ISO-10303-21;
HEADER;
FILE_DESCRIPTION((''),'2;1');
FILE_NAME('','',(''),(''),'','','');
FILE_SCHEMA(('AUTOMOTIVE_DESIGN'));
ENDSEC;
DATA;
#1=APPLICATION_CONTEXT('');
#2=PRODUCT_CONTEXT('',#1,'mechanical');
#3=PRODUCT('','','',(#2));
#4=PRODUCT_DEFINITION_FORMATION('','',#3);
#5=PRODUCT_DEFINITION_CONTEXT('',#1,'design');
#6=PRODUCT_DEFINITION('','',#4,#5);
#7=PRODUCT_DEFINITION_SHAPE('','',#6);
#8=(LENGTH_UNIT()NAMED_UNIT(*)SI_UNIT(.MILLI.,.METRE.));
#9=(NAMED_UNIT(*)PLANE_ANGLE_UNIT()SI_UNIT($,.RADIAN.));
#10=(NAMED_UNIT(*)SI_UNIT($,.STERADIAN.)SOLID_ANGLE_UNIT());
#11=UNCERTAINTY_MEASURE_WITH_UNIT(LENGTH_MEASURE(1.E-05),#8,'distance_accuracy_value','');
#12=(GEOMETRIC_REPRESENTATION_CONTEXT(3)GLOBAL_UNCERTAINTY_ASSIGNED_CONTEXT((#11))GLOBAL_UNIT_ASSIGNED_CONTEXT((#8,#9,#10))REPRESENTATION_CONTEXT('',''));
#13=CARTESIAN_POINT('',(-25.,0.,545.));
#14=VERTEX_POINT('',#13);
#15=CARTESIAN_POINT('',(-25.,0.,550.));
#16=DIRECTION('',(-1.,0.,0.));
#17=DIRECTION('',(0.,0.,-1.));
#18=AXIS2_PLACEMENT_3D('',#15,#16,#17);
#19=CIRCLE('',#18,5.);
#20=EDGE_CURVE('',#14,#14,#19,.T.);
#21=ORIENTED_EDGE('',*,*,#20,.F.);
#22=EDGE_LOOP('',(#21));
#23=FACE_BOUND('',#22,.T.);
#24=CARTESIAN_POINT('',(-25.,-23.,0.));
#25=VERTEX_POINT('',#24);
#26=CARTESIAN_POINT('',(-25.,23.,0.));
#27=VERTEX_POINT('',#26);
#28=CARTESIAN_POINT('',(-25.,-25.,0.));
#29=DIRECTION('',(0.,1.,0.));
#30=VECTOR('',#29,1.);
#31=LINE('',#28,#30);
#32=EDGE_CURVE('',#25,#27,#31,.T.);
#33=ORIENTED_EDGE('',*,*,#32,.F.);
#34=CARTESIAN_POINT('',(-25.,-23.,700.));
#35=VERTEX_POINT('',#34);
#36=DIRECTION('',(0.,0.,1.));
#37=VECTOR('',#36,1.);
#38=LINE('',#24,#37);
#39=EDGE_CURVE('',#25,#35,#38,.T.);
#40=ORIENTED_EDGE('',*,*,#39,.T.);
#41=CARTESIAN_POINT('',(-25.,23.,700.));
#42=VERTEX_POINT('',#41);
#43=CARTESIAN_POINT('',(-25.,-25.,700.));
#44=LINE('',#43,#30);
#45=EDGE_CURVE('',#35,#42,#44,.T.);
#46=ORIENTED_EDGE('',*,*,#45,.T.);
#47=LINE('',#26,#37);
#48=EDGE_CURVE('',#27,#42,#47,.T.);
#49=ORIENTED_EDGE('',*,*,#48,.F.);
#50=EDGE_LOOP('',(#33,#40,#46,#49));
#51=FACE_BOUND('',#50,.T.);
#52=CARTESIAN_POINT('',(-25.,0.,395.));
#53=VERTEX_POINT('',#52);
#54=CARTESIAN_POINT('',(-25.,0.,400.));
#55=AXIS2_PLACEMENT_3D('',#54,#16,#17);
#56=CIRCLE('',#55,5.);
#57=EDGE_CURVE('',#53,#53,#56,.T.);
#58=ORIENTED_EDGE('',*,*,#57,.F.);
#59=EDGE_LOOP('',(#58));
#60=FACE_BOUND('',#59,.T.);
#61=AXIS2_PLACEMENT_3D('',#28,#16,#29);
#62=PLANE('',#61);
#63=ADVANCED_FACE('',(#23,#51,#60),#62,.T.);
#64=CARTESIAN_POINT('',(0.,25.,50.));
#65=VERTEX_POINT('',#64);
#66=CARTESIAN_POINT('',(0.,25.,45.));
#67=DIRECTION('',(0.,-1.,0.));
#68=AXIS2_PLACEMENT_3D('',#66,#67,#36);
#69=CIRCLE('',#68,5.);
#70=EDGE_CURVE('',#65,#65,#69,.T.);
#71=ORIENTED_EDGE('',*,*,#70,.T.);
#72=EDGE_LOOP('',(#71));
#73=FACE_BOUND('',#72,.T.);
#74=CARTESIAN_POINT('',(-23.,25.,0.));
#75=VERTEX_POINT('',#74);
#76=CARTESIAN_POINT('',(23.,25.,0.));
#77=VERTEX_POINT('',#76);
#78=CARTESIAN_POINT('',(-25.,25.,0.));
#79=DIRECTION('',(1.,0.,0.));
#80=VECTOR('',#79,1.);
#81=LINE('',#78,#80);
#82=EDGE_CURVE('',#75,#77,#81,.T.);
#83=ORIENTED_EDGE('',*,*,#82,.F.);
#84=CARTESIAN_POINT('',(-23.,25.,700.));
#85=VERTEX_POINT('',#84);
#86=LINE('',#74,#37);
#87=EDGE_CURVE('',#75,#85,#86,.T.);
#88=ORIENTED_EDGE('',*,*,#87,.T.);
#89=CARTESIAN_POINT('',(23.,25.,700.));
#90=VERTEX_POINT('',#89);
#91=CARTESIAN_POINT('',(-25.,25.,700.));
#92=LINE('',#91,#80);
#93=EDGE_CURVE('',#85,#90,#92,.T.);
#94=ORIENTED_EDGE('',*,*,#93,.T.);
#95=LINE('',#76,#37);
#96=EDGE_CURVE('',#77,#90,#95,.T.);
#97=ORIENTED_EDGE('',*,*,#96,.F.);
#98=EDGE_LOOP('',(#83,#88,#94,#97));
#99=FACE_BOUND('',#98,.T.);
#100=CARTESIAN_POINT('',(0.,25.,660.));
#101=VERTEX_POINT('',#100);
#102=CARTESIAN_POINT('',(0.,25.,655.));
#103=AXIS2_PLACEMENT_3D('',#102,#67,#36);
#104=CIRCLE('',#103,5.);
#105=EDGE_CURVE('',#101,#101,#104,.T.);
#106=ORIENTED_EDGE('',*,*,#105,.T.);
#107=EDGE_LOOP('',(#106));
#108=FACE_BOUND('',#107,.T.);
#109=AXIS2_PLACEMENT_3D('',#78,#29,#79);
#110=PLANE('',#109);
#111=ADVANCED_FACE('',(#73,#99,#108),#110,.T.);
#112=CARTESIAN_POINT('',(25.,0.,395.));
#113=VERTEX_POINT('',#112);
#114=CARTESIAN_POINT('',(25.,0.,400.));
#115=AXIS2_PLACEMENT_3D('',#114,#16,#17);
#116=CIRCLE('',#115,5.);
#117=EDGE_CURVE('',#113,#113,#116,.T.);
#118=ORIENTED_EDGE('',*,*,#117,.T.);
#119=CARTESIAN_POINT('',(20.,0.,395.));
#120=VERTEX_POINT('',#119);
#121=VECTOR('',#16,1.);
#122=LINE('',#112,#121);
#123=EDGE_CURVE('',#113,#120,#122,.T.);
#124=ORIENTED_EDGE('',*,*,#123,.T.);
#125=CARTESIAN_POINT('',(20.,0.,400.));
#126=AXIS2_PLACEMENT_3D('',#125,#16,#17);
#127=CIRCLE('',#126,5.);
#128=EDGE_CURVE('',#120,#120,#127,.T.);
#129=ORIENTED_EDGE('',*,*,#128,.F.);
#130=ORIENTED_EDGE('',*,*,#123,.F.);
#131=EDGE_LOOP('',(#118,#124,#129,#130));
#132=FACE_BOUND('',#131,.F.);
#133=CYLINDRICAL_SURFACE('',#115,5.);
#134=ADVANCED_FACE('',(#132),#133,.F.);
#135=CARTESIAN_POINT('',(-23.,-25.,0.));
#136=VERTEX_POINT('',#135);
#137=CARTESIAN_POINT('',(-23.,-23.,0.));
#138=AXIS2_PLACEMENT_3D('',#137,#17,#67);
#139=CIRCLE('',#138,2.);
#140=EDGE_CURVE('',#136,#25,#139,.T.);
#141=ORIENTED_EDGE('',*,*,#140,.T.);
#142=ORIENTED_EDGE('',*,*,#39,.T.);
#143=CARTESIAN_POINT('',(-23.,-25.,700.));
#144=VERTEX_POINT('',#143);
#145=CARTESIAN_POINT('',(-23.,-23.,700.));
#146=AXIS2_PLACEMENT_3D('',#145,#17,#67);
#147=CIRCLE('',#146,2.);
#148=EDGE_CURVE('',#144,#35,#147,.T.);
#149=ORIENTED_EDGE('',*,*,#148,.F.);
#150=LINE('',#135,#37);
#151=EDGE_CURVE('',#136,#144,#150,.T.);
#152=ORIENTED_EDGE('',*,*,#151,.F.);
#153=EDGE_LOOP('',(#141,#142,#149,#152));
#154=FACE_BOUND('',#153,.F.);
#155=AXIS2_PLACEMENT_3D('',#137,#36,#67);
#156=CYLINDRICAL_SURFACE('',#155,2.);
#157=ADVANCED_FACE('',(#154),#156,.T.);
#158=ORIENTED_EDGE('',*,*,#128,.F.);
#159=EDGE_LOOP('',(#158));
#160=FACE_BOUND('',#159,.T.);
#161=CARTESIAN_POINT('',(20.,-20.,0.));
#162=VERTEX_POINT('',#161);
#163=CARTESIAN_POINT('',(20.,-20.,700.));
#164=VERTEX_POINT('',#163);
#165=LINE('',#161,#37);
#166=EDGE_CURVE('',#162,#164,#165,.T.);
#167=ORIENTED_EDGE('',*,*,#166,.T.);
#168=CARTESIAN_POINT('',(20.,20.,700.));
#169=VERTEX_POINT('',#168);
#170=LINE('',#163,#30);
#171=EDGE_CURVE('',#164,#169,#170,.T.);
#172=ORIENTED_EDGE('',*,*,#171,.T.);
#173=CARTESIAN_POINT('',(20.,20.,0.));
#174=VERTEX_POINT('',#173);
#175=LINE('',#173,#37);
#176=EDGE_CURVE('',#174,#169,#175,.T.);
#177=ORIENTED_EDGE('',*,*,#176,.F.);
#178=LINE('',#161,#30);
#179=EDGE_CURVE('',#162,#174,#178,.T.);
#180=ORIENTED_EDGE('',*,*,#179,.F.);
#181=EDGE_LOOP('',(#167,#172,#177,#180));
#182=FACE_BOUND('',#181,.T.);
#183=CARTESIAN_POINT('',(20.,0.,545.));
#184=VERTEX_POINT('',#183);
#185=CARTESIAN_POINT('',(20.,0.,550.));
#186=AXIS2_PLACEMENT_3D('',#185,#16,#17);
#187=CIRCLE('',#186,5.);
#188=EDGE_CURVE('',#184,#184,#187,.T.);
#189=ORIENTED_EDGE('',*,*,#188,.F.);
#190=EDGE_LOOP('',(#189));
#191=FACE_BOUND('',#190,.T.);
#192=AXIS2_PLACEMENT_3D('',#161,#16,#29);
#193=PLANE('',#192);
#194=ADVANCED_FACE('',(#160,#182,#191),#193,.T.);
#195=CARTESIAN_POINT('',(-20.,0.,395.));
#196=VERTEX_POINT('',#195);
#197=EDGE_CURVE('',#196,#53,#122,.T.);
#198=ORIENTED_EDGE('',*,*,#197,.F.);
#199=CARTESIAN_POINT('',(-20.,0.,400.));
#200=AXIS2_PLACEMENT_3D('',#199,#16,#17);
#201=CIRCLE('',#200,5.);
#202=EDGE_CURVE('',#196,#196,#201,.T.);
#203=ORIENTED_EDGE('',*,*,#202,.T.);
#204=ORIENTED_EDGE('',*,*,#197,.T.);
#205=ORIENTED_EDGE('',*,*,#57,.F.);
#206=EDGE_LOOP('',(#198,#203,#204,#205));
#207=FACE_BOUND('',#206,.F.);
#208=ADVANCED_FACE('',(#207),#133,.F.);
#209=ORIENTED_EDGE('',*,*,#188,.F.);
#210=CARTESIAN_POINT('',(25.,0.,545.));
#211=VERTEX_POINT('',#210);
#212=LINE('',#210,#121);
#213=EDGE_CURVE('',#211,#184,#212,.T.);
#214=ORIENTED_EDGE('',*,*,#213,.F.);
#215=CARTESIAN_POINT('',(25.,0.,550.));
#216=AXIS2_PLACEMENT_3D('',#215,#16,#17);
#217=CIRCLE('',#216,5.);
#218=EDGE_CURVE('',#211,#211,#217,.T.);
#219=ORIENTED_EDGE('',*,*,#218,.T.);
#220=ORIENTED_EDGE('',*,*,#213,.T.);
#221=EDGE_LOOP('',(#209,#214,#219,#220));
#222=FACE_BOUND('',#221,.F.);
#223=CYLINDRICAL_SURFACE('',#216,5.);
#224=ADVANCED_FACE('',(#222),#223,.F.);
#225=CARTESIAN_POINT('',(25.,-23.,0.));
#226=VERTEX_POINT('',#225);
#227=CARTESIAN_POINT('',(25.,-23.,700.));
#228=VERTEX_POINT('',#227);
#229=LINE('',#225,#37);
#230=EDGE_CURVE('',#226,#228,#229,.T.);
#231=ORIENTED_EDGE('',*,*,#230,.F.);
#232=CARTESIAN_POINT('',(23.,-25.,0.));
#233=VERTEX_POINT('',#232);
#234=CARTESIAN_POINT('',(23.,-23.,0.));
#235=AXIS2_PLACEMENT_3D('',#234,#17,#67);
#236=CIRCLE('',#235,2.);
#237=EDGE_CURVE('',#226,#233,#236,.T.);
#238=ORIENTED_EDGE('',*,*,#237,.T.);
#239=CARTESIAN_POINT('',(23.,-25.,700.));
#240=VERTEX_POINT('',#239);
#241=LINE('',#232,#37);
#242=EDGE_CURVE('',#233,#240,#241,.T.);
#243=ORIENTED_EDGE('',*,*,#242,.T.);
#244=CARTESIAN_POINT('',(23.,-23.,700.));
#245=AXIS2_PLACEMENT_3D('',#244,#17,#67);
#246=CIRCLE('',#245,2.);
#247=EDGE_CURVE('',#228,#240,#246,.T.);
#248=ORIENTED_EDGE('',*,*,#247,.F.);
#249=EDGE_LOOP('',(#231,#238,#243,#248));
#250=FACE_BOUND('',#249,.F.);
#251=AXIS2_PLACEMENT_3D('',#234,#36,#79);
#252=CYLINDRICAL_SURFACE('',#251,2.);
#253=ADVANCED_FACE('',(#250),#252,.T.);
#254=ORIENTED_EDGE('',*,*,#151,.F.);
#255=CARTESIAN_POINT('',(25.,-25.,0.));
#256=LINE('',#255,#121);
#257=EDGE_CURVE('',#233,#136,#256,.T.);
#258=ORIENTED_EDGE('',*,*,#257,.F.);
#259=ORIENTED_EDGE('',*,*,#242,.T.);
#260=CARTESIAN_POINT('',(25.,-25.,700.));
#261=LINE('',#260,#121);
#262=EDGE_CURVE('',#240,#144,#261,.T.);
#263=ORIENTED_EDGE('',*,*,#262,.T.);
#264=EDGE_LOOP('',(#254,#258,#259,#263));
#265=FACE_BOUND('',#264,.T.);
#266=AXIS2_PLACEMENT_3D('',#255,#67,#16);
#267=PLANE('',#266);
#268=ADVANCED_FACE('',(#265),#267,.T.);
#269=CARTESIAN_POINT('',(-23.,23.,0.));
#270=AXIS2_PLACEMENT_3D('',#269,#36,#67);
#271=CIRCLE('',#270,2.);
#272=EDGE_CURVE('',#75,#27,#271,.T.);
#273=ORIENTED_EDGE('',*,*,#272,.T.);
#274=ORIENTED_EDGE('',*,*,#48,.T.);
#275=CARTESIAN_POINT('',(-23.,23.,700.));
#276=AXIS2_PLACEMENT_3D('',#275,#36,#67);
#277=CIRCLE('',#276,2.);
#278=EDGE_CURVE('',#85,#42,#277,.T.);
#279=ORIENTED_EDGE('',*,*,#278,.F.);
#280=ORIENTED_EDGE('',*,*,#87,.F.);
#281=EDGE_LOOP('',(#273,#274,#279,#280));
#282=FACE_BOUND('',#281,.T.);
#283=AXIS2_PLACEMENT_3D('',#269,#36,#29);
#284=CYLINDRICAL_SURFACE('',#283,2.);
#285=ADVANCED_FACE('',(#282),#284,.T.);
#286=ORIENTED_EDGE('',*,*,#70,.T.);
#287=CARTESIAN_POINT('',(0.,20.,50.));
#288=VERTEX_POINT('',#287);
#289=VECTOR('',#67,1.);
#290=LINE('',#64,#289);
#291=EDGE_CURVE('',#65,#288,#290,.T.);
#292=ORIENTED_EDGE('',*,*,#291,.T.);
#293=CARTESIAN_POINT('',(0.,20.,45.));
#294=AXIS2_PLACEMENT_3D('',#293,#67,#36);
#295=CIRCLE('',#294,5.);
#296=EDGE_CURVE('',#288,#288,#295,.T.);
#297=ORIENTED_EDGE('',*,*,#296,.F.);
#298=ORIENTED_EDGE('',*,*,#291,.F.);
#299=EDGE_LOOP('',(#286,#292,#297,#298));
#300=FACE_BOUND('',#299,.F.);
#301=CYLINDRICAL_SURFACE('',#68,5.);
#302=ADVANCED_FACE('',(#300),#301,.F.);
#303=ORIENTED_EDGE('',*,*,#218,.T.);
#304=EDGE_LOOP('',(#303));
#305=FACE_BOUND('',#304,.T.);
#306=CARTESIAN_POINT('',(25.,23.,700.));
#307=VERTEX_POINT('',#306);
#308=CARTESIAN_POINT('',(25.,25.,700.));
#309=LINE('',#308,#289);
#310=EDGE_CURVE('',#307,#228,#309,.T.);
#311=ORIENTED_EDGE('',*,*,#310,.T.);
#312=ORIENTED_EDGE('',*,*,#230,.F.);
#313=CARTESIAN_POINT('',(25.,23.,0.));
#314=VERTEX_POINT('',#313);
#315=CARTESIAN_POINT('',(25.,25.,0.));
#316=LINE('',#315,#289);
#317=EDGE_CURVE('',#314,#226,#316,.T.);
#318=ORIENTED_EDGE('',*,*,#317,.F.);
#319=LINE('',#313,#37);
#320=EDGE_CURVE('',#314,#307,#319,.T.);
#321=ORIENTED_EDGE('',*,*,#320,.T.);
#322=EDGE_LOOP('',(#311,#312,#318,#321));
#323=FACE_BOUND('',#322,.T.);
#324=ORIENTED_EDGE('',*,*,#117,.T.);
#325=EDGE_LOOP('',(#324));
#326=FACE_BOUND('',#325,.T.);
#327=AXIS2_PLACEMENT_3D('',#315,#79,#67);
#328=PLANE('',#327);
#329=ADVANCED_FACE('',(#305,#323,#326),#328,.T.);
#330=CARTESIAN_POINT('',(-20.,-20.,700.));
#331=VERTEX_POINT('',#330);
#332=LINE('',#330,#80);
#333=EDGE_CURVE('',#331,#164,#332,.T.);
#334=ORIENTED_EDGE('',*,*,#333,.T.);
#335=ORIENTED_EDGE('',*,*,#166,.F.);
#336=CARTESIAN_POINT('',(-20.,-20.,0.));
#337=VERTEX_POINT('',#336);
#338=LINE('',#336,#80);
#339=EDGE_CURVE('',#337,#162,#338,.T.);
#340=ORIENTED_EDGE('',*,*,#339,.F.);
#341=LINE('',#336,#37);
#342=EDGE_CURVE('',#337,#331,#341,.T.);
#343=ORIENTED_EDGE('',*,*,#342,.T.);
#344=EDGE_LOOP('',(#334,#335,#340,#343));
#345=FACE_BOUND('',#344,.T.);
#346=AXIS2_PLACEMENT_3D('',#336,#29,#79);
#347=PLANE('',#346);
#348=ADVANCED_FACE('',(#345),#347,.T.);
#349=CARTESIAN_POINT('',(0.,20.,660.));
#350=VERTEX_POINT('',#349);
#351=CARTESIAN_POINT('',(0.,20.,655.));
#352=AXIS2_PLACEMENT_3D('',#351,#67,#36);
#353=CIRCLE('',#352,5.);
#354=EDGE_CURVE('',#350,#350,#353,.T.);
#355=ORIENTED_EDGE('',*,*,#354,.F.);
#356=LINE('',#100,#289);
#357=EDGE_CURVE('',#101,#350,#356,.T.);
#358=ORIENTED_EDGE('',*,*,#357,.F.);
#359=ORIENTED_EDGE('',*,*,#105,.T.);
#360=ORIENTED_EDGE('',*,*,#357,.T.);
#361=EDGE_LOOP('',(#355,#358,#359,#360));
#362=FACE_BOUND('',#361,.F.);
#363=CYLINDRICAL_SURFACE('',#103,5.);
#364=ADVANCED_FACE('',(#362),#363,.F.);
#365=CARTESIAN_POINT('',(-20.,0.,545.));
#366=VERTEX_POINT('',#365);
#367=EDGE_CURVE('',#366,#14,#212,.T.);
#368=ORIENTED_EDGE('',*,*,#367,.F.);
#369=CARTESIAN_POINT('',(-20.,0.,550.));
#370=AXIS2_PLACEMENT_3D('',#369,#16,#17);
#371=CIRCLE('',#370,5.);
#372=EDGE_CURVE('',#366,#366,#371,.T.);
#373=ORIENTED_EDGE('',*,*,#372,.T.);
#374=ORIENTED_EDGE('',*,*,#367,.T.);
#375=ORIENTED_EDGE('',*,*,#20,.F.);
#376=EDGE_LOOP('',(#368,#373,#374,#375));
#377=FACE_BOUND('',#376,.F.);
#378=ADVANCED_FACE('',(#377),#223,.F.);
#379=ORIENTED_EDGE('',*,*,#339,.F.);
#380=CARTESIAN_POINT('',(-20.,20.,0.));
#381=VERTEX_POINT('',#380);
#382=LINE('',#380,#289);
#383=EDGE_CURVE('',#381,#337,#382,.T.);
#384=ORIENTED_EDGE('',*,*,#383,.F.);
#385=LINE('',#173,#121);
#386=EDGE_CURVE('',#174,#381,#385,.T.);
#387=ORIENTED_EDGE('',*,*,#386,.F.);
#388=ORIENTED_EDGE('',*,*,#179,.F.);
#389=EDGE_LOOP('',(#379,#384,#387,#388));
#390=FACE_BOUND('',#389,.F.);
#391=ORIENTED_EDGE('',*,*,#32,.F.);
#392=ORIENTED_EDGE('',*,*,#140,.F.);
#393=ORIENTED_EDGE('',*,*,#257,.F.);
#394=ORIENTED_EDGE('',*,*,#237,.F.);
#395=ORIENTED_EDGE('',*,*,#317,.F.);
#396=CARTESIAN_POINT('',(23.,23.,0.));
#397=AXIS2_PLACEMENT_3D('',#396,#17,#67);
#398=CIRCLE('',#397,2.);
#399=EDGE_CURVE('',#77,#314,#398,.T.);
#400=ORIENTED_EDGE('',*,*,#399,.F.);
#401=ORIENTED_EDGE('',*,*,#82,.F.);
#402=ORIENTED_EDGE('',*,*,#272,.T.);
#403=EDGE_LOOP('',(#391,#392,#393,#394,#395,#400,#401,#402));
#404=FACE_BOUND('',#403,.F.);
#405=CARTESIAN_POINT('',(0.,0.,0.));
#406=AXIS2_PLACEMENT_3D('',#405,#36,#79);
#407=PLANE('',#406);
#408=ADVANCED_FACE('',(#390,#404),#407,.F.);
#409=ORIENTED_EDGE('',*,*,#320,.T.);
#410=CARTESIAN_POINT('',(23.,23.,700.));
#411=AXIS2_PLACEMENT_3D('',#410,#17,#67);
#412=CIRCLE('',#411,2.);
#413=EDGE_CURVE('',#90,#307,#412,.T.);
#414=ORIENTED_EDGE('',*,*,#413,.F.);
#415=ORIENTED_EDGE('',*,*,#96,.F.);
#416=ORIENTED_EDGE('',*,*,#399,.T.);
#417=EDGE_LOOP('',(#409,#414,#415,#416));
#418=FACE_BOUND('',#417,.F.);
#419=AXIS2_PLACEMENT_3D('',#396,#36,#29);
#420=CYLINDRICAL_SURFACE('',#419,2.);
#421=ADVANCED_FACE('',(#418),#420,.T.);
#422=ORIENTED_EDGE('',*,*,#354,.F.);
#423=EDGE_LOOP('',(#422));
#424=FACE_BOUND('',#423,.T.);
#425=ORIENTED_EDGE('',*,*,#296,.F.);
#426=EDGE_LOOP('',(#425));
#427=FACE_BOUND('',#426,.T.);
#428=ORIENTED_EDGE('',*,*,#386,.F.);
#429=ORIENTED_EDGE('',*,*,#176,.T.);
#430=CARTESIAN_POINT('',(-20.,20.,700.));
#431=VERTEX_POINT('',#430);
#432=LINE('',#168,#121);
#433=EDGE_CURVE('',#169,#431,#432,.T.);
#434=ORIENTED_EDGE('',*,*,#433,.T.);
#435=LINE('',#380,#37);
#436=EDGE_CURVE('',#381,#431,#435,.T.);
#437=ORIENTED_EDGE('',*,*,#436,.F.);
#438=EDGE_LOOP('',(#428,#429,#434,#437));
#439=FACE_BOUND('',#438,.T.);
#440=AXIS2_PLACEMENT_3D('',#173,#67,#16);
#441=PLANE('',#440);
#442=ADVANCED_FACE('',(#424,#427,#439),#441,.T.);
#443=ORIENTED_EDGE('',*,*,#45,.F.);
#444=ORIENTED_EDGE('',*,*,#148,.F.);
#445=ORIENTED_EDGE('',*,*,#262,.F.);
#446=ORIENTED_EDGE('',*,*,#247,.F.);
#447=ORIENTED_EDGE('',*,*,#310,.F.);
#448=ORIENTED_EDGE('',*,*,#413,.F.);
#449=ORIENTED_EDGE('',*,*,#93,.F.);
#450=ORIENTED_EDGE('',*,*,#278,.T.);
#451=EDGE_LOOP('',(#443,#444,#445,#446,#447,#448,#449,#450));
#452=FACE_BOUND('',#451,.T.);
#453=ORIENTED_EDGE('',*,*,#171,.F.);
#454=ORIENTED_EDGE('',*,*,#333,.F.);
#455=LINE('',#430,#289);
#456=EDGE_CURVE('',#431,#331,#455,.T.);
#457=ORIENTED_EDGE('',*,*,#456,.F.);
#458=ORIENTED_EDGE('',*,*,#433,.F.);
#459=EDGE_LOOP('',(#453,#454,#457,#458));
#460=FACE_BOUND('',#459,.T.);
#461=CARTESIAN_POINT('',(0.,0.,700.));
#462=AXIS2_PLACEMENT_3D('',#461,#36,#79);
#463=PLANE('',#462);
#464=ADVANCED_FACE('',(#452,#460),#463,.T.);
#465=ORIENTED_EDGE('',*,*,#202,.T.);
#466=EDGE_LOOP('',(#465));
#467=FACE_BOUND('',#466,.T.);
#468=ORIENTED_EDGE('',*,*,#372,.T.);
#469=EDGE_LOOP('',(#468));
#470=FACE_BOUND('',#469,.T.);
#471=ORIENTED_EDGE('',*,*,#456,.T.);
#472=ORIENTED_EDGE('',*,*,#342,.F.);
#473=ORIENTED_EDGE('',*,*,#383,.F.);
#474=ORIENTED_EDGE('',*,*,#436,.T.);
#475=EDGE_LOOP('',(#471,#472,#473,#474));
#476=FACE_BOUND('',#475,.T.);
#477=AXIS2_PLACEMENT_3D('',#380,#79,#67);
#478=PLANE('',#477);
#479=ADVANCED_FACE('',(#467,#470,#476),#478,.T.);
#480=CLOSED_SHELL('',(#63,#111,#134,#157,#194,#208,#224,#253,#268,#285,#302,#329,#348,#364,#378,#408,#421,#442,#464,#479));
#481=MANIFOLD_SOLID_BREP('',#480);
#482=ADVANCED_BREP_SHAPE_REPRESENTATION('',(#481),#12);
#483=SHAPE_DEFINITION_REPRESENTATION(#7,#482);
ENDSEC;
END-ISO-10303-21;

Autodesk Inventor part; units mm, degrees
ref_plane "YZ Plane" through (0, 0, 0) normal (1, 0, 0) x (0, 1, 0)
ref_plane "XZ Plane" through (0, 0, 0) normal (0, 1, 0) x (-1, 0, 0)
ref_plane "XY Plane" through (0, 0, 0) normal (0, 0, 1) x (1, 0, 0)
sketch "Sketch1" plane through (0, 0, 0) normal (0, 0, 1) x (1, 0, 0)
  line L0 (-25, 25) -> (25, 25)
  line L1 (25, 25) -> (25, -25)
  line L2 (25, -25) -> (-25, -25)
  line L3 (-25, -25) -> (-25, 25)
  line L4 (20, 20) -> (-20, 20)
  line L5 (-20, 20) -> (-20, -20)
  line L6 (-20, -20) -> (20, -20)
  line L7 (20, -20) -> (20, 20)
  point P0 (0, 0)
  dimension "d0" = 50
  dimension "d1" = 50
  dimension "d2" = 25
  dimension "d3" = 25
  dimension "d4" = 5
extrude "Extrusion1" add sketch "Sketch1" along normal blind 700
fillet "Fillet1" radius 2 4 edges at (25, 25, 350) (-25, 25, 350) (25, -25, 350) (-25, -25, 350)
sketch "Sketch2" plane through (-23, 25, 0) normal (0, 1, 0) x (1, 0, 0)
  line L0 (46, 0) -> (0, 0) projected
  line L1 (46, -700) -> (0, -700) projected
  point P0 (23, 0)
  point P1 (23, -45)
  point P2 (23, -655)
  dimension "d8" = 45
  dimension "d9" = 0
  dimension "d10" = 45
  dimension "d11" = 0
hole "endHoles" at (0, 25, 45) at (0, 25, 655) direction (0, -1, 0) diameter 10 depth 5
sketch "Sketch3" plane through (25, -23, 0) normal (1, 0, 0) x (0, 0, -1)
  line L0 (0, 23) -> (-550, 23)
  point P0 (-400, 23)
  dimension "d19" = 400
  dimension "d21" = 0
  dimension "d22" = 0
  dimension "d49" = 150
hole "Hole4" at (25, 0, 400) at (25, 0, 550) direction (-1, 0, 0) diameter 10 end through all
equation "\"d0\" = w"
equation "\"d1\" = w"
equation "\"d2\" = 0.5 * d1"
equation "\"d3\" = 0.5 * d0"
equation "\"d4\" = t"
equation "\"support_frame_endHoleBuffer\" = 45"
equation "\"d7\" = fillet"
equation "\"d8\" = buffer"
equation "\"d10\" = buffer"
equation "\"d42\" = support_frame_clampHoleDiameter"
equation "\"w\" = support_frame_squareBarDimension"
equation "\"t\" = support_frame_squareBarThickness"
equation "\"fillet\" = support_frame_squareBarFillet"
equation "\"buffer\" = support_frame_endHoleBuffer"
equation "\"hoop_angle_z\" = 45deg"
equation "\"hoop_bearing_length\" = 5deg"
equation "\"hoop_cable_diam\" = 5"
equation "\"hoop_cable_pulley_diam\" = 22"
equation "\"hoop_thickness_large\" = 4"
equation "\"hoop_thickness_medium\" = 3.2"
equation "\"hoop_thickness_small\" = 2"
equation "\"hoop_width_large\" = 51"
equation "\"hoop_width_medium\" = 33.7"
equation "\"hoop_width_small\" = 25.4"
equation "\"rack_tooth_addendum\" = 5"
equation "\"rack_tooth_dedendum\" = 5"
equation "\"rack_tooth_thickness\" = 5"
equation "\"secure_arm_angle\" = 35deg"
equation "\"secure_arm_radii\" = 9"
equation "\"support_baseClamp_platformLengthBuffer\" = 35"
equation "\"support_baseClamp_platformThickness\" = 15"
equation "\"support_baseClamp_platformWidthBuffer\" = 0"
equation "\"support_baseClamp_sleeveHoleDiameter\" = 12"
equation "\"support_baseClamp_sleeveSweepTerminationAngle\" = 55deg"
equation "\"support_baseClamp_thickness\" = 8"
equation "\"support_frame_clampHoleDiameter\" = 10"
equation "\"support_frame_squareBarFillet\" = 2"
equation "\"support_frame_squareBarThickness\" = 5"
equation "\"hoop_tabs_thickness\" = 6"
equation "\"wheelchair_deployed_length\" = 1067"
equation "\"wheelchair_deployed_height\" = 914"
equation "\"hoop_tabs_hole\" = 12"
equation "\"wheelchair_deployed_width\" = 635"
equation "\"sm_varx_pinPlate_thickness\" = 5"
equation "\"sm_varx_member_tolerance\" = 0.5"
equation "\"sm_varx_pinPlate_holeDiameter\" = 5"
equation "\"sm_varx_squareBarThickness\" = 2.5"
equation "\"hoop_bushing23_radialInterference\" = 0"
equation "\"hoop_bushing12_radialInterference\" = 0"
equation "\"hoop_bushing12_od\" = -2 * hoop_thickness_large + hoop_width_large + hoop_bushing12_radialInterference"
equation "\"wheelchatir_pos_deploy_angle_0\" = 65deg"
equation "\"wheelchatir_pos_store_angle_0\" = 90deg"
equation "\"wheelchatir_pos_deploy_angle_1\" = 20deg"
equation "\"wheelchatir_pos_store_angle_1\" = 20deg"
equation "\"hoop_bushing23_od\" = -2 * hoop_thickness_medium + hoop_width_medium + hoop_bushing23_radialInterference"
equation "\"hoop_bushing12_thickness\" = -hoop_width_medium + hoop_bushing12_od - 2 * hoop_bushing12_radialInterference"
equation "\"hoop_bushing23_thickness\" = -hoop_width_small + hoop_bushing23_od - 2 * hoop_bushing23_radialInterference"
equation "\"support_frame_squareBarDimension\" = 50"
properties part number "support_frame_x" material "Steel, Mild"
